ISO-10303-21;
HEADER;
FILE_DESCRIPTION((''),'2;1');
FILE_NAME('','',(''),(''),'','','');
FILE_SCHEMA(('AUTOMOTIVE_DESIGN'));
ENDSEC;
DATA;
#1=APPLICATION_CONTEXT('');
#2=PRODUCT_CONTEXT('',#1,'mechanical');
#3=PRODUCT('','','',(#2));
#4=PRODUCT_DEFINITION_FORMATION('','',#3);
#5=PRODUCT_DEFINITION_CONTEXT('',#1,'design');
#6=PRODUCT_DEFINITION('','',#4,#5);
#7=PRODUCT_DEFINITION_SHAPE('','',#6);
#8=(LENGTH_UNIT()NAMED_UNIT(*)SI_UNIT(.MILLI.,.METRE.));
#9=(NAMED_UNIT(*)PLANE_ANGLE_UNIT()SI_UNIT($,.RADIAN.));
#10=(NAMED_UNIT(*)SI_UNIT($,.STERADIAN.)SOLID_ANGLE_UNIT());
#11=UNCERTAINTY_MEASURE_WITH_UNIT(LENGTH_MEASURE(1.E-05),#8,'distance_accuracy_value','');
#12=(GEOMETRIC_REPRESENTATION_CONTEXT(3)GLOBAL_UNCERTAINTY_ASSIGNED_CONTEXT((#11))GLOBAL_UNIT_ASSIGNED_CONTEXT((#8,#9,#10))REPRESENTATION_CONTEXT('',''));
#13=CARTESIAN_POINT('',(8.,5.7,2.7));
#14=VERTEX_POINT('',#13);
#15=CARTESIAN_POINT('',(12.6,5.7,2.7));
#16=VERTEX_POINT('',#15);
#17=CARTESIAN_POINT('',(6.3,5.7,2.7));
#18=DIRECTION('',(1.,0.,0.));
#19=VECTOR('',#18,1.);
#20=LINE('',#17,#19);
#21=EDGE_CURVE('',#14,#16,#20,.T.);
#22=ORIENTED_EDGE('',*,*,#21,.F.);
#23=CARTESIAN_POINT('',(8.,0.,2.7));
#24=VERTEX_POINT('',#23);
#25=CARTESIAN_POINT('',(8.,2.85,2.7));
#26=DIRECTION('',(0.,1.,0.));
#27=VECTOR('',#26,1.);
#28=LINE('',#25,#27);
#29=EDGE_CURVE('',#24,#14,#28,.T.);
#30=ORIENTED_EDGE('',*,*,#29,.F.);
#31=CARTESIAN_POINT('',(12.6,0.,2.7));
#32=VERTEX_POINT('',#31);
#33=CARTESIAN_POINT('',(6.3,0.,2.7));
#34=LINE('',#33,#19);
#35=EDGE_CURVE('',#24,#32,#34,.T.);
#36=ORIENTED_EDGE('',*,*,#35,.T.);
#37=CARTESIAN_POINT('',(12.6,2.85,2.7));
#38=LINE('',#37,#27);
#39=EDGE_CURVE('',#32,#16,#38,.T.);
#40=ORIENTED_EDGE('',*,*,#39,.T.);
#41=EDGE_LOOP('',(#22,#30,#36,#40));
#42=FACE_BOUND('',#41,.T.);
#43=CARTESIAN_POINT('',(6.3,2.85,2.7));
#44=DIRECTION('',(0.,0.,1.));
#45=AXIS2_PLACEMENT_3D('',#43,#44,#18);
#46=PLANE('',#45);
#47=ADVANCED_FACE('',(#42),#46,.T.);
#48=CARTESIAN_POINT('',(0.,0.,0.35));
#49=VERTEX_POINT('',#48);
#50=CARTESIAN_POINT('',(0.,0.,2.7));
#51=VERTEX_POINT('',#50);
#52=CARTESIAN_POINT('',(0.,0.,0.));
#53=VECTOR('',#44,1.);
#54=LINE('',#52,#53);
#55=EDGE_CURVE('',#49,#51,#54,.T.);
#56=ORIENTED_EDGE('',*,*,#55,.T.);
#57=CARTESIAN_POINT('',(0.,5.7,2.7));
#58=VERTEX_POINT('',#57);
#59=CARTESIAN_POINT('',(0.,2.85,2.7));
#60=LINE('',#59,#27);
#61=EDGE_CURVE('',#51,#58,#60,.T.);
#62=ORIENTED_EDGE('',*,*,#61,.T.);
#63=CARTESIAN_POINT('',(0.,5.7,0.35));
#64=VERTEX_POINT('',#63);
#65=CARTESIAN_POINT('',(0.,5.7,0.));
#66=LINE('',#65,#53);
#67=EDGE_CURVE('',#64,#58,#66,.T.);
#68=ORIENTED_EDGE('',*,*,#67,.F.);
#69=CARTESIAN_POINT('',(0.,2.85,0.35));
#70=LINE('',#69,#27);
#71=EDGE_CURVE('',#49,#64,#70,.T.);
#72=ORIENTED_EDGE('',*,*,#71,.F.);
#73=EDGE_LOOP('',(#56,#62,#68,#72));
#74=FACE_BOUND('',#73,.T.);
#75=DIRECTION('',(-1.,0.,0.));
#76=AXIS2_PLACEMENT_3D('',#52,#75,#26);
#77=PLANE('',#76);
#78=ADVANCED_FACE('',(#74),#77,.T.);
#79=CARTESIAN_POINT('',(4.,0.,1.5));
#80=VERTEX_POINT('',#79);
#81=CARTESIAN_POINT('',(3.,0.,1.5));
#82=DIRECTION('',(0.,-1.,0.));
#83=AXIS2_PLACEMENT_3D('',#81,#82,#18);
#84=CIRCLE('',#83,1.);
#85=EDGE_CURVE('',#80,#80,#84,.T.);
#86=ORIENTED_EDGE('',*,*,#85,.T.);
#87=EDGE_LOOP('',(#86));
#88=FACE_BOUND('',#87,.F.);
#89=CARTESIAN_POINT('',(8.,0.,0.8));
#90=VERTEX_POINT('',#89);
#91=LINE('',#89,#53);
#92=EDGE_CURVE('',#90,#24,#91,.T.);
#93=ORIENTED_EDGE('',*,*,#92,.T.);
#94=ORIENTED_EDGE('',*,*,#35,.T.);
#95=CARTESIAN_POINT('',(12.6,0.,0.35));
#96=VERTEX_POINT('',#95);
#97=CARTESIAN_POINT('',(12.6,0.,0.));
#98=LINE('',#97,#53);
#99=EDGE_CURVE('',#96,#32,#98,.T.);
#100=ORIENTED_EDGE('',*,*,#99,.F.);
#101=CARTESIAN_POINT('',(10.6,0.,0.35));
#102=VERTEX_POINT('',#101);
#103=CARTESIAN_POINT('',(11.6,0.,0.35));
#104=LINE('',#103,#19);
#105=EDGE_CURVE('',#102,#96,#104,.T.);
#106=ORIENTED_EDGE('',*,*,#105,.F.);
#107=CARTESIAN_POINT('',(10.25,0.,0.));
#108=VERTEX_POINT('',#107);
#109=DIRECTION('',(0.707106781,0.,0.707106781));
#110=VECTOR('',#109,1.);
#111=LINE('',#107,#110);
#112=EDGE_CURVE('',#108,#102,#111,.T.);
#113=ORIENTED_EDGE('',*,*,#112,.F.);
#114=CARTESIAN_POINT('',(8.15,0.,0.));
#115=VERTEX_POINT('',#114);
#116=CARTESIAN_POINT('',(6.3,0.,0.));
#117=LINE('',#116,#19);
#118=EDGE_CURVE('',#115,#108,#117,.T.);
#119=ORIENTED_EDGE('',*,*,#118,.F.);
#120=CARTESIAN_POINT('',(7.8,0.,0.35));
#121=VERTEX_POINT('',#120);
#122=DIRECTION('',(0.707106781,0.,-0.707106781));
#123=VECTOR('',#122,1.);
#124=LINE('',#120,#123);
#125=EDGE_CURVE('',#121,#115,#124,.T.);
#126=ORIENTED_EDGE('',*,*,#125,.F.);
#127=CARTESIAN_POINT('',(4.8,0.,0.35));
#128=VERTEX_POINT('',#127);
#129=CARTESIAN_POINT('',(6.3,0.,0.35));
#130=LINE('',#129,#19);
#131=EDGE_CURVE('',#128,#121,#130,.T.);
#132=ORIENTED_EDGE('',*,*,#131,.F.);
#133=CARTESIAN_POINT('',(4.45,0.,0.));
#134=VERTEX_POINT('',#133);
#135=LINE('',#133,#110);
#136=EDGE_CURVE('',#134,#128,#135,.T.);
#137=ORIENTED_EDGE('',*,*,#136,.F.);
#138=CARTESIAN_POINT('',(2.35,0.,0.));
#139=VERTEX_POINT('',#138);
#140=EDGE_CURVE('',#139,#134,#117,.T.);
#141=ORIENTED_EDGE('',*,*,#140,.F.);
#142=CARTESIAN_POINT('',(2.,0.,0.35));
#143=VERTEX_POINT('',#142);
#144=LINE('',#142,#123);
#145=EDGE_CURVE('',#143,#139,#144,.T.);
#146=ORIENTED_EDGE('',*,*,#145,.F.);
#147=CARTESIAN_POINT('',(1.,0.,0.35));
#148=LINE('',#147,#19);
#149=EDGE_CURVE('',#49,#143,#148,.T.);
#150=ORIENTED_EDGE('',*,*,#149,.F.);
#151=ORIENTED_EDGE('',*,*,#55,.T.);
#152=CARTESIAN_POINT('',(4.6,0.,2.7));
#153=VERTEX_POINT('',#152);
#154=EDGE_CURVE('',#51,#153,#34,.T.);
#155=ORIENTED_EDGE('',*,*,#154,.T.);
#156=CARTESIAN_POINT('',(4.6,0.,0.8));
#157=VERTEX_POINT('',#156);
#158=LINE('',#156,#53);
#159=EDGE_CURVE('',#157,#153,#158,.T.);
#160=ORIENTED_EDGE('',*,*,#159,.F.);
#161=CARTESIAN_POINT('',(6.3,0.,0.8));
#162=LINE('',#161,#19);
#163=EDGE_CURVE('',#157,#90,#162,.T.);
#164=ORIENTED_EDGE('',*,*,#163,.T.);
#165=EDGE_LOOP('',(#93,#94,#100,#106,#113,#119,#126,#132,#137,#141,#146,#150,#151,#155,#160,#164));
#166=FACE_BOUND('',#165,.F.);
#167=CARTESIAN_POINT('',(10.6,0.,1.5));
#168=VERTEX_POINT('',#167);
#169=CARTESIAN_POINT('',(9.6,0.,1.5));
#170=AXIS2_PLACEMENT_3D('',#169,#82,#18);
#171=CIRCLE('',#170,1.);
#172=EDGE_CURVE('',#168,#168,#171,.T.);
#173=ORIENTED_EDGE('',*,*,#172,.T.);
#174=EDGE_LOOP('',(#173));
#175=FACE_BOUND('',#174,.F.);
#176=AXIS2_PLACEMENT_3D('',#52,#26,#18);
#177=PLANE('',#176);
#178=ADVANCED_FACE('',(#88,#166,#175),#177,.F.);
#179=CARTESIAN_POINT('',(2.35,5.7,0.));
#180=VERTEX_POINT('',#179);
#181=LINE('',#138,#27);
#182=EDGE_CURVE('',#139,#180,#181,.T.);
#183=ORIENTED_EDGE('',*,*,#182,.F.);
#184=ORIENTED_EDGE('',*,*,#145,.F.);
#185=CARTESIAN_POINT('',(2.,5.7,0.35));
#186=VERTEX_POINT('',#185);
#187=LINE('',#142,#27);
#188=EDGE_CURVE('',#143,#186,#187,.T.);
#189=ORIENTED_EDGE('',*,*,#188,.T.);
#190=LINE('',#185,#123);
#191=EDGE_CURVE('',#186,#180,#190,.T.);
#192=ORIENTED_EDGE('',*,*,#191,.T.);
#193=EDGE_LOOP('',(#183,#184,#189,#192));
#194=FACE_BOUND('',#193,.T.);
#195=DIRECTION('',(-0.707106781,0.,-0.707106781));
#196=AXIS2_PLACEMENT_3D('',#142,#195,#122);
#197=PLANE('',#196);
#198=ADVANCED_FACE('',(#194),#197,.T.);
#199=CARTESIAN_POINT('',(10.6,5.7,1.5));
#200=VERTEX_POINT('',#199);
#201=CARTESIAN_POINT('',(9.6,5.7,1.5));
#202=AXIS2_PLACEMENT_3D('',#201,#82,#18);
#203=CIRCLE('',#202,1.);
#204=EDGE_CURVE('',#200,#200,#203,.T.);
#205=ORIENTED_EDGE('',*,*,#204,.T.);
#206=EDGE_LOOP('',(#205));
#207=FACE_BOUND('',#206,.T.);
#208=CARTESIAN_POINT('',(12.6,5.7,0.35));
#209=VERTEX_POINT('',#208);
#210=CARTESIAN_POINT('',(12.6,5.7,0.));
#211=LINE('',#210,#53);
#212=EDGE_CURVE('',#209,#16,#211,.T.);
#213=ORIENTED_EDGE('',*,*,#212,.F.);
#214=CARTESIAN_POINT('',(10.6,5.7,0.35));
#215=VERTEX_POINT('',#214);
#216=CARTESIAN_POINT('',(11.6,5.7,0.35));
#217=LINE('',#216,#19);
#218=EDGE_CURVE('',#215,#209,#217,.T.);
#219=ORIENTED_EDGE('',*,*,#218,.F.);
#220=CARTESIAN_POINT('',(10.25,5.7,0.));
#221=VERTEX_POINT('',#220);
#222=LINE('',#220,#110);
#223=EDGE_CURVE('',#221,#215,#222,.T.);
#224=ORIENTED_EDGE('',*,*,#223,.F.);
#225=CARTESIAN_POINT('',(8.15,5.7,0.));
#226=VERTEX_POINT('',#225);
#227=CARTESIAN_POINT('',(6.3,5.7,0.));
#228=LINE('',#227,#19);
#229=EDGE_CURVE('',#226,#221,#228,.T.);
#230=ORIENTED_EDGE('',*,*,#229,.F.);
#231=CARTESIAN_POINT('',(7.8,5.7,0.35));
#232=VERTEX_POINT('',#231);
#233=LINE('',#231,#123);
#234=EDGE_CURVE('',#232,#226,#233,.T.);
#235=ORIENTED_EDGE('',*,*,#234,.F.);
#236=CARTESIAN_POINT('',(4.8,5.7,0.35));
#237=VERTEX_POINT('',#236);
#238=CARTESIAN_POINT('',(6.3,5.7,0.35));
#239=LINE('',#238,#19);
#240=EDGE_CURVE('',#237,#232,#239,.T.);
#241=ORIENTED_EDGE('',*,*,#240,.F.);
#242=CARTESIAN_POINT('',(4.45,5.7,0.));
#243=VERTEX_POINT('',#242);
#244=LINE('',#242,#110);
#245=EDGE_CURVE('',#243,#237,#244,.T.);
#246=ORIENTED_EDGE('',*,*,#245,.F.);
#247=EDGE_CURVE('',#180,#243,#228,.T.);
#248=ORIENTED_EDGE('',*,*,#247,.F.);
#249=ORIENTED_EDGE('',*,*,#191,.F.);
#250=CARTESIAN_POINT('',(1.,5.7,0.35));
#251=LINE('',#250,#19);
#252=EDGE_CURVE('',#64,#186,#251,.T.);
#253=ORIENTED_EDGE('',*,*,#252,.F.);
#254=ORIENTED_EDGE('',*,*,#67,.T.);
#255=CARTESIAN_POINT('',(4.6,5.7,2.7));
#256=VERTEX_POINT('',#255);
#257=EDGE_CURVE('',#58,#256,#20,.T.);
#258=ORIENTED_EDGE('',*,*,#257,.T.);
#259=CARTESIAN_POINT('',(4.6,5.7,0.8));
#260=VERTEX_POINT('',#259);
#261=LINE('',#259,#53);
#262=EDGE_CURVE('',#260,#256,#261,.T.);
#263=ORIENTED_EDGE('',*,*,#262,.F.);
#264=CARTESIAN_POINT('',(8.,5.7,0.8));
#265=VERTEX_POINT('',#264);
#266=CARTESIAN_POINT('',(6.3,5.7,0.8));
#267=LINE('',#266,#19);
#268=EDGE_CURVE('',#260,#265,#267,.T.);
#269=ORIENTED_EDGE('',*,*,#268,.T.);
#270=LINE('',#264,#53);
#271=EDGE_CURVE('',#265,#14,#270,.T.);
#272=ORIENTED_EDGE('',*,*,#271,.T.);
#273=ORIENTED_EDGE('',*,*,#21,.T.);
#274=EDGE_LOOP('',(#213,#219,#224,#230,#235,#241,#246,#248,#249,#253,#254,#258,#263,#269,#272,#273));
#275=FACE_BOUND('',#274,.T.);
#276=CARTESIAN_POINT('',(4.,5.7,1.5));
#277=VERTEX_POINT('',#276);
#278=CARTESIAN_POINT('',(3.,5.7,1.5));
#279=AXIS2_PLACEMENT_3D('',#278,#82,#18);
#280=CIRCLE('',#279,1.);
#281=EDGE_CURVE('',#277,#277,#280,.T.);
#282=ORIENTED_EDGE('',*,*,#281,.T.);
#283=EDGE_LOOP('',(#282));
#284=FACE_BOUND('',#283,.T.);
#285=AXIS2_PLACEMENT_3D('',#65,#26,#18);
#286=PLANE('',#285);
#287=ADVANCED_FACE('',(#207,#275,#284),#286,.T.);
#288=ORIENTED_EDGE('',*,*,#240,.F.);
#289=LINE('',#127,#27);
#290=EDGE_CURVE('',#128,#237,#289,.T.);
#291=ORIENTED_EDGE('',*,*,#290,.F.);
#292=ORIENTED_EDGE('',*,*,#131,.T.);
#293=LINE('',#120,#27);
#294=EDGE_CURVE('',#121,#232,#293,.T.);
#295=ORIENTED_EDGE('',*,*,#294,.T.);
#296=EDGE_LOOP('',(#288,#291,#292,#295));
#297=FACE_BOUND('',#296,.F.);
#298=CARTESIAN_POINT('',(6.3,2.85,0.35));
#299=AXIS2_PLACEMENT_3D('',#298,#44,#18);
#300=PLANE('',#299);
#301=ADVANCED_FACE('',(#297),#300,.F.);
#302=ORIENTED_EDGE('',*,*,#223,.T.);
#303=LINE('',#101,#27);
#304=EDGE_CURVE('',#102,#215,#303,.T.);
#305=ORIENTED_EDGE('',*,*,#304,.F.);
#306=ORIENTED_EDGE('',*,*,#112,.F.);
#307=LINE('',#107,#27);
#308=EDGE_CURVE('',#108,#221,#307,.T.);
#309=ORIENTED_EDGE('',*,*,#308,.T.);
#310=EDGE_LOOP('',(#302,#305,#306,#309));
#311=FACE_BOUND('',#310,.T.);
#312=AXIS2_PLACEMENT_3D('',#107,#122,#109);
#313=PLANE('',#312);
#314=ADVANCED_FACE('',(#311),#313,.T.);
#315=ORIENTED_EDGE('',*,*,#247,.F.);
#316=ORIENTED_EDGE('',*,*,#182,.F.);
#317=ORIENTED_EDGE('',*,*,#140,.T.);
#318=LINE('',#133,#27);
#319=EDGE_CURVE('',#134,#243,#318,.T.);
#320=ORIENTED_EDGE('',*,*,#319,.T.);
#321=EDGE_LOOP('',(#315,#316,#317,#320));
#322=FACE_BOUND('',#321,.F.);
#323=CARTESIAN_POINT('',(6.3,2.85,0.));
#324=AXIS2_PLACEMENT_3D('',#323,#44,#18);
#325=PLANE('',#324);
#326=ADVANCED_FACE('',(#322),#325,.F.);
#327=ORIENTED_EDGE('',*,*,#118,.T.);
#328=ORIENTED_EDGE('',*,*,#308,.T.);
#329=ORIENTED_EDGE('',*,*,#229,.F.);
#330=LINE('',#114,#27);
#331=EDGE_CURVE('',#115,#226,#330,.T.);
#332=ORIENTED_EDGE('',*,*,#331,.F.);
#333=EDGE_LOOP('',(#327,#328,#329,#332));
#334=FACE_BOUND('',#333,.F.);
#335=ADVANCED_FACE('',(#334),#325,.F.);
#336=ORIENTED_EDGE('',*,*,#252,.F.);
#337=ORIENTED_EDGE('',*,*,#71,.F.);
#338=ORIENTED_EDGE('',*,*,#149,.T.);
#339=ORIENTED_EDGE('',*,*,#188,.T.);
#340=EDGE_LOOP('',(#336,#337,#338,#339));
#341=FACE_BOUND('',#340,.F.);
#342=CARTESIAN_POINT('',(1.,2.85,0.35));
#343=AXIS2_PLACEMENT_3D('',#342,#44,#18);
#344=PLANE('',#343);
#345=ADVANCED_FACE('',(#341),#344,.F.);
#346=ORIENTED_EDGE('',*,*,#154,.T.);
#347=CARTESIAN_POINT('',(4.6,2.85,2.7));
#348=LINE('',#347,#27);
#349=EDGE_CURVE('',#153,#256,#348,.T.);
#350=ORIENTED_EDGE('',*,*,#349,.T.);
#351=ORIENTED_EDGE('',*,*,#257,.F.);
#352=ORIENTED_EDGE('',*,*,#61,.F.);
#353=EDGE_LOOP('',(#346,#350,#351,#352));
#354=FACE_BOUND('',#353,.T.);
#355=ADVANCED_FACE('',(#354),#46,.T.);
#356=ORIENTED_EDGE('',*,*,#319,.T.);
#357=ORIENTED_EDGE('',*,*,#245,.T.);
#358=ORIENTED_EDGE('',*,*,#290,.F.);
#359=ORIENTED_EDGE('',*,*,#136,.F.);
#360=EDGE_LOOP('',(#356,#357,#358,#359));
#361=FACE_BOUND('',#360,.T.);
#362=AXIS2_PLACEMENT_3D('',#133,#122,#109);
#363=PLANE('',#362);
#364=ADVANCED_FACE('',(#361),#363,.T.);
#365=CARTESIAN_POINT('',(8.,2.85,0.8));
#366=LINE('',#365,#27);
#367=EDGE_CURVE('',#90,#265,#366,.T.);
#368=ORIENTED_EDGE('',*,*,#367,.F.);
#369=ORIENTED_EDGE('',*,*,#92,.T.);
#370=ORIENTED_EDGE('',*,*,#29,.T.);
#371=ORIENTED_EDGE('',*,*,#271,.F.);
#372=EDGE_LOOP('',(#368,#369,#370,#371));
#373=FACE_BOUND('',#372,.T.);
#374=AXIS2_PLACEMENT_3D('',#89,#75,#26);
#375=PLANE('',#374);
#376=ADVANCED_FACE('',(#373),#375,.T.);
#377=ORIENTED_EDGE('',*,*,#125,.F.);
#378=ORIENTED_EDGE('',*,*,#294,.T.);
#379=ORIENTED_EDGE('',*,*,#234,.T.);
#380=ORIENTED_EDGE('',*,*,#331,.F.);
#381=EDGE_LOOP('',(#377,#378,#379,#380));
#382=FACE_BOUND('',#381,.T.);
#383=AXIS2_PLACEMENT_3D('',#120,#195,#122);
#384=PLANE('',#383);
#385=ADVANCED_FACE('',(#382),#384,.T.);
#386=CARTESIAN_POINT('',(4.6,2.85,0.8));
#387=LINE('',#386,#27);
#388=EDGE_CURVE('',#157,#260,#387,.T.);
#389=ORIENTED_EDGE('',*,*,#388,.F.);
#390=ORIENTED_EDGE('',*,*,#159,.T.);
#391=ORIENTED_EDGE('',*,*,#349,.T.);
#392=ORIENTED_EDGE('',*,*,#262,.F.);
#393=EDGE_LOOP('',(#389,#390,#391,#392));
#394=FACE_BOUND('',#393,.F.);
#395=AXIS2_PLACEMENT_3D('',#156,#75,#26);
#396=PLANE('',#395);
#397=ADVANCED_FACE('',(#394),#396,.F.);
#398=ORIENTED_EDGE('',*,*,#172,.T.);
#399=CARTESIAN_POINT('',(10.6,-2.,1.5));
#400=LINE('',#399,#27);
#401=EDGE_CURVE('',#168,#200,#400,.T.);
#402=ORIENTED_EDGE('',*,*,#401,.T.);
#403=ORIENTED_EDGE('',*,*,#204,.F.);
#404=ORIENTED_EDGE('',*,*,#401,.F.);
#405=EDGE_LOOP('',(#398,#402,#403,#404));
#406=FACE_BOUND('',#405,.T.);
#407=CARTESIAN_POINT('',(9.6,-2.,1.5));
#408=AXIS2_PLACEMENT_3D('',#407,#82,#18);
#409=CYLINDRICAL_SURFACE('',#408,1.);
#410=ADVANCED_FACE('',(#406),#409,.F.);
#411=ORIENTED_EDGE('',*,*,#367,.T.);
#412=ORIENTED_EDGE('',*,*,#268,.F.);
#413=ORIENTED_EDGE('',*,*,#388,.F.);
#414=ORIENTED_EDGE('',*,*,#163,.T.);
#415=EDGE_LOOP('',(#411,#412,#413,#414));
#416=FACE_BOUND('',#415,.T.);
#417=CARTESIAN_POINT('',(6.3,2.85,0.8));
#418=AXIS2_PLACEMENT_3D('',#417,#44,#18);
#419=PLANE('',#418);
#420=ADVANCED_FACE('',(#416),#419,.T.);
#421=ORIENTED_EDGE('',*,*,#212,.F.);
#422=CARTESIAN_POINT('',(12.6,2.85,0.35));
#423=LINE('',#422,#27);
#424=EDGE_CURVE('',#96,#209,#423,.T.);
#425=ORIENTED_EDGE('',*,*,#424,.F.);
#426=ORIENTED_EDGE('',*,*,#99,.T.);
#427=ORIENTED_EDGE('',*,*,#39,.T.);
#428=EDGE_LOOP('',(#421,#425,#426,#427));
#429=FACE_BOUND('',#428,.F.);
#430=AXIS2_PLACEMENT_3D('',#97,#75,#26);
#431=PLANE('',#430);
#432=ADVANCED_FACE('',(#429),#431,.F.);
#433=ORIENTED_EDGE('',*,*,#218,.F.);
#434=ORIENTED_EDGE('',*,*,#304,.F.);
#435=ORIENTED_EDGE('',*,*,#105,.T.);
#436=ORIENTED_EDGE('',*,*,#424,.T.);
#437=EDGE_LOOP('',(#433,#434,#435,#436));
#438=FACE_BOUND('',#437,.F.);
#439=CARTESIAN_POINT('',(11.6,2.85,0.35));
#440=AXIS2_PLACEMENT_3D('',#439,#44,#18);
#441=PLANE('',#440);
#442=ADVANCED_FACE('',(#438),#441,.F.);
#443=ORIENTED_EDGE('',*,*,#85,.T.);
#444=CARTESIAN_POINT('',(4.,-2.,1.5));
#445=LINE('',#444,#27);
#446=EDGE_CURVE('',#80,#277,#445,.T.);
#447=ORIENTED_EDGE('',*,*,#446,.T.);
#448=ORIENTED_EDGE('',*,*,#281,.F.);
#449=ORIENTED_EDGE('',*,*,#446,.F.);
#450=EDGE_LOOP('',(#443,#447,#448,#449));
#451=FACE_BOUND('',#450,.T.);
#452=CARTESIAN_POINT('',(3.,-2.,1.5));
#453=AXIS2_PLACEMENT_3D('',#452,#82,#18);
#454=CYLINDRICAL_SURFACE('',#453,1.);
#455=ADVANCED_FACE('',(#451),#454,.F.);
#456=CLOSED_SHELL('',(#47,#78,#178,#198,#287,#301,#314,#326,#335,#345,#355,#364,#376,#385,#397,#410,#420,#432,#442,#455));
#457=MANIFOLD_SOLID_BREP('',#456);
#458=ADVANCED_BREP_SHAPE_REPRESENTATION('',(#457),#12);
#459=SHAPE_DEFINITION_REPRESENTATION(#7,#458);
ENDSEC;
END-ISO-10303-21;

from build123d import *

# Parameters (mm, degrees)
BOX006_W                   = 3
BOX006_H                   = 5.7
BOX006_DEPTH               = 0.35
BOX007_W                   = 2
BOX007_H                   = 5.7
BOX007_DEPTH               = 0.35
BOX005_W                   = 2
BOX005_H                   = 5.7
BOX005_DEPTH               = 0.35
EXTRUDE001_DEPTH           = 5.7
EXTRUDE002_DEPTH           = 5.7
EXTRUDE002_PLACEMENT_ANGLE = 90
EXTRUDE003_DEPTH           = 5.7
EXTRUDE003_PLACEMENT_ANGLE = 90
EXTRUDE_DEPTH              = 5.7
CYLINDER001_R              = 1
CYLINDER001_DEPTH          = 10
CYLINDER_R                 = 1
CYLINDER_DEPTH             = 10
BOX_W                      = 3.4
BOX_H                      = 5.7
BOX_DEPTH                  = 1.9
BOX001_W                   = 12.6
BOX001_H                   = 5.7
BOX001_DEPTH               = 2.7


with BuildPart() as cube006:
    # Box006 → Box006 (new body)
    with BuildSketch(Plane(origin=(4.8, 0, 0), x_dir=(1, 0, 0), z_dir=(0, 0, 1))):
        with Locations((1.5, 2.85)):
            Rectangle(BOX006_W, BOX006_H)
    extrude(amount=BOX006_DEPTH)


with BuildPart() as cube007:
    # Box007 → Box007 (new body)
    with BuildSketch(Plane(origin=(10.6, 0, 0), x_dir=(1, 0, 0), z_dir=(0, 0, 1))):
        with Locations((1, 2.85)):
            Rectangle(BOX007_W, BOX007_H)
    extrude(amount=BOX007_DEPTH)


with BuildPart() as cube005:
    # Box005 → Box005 (new body)
    with BuildSketch(Plane.XY):
        with Locations((1, 2.85)):
            Rectangle(BOX005_W, BOX005_H)
    extrude(amount=BOX005_DEPTH)


with BuildPart() as extrude001:
    # Sketch001 → Extrude001 (new body)
    with BuildSketch(Plane.XZ):
        Polygon((0, 0), (0, 0.35), (0.35, 0), align=None)
    extrude(amount=-EXTRUDE001_DEPTH)


with BuildPart() as extrude001_1:
    # Extrude001 placement: moved
    add(extrude001.part.moved(Location((7.8, 0, 0))))


with BuildPart() as extrude002:
    # Sketch002 → Extrude002 (new body)
    with BuildSketch(Plane.XZ):
        Polygon((0, 0), (0, 0.35), (0.35, 0), align=None)
    extrude(amount=-EXTRUDE002_DEPTH)


with BuildPart() as extrude002_1:
    # Extrude002 placement: moved
    add(extrude002.part.moved(Location((4.8, 0, 0))).rotate(Axis((4.8, 0, 0), (0, -1, 0)), EXTRUDE002_PLACEMENT_ANGLE))


with BuildPart() as extrude003:
    # Sketch003 → Extrude003 (new body)
    with BuildSketch(Plane.XZ):
        Polygon((0, 0), (0, 0.35), (0.35, 0), align=None)
    extrude(amount=-EXTRUDE003_DEPTH)


with BuildPart() as extrude003_1:
    # Extrude003 placement: moved
    add(extrude003.part.moved(Location((10.6, 0, 0))).rotate(Axis((10.6, 0, 0), (0, -1, 0)), EXTRUDE003_PLACEMENT_ANGLE))


with BuildPart() as extrude_body:
    # Sketch → Extrude (new body)
    with BuildSketch(Plane.XZ):
        Polygon((0, 0), (0, 0.35), (0.35, 0), align=None)
    extrude(amount=-EXTRUDE_DEPTH)


with BuildPart() as extrude_body_1:
    # Extrude placement: moved
    add(extrude_body.part.moved(Location((2, 0, 0))))


with BuildPart() as cylinder001:
    # Cylinder001 → Cylinder001 (new body)
    with BuildSketch(Plane(origin=(9.6, -2, 1.5), x_dir=(1, 0, 0), z_dir=(0, 1, 0))):
        Circle(CYLINDER001_R)
    extrude(amount=CYLINDER001_DEPTH)


with BuildPart() as cylinder:
    # Cylinder → Cylinder (new body)
    with BuildSketch(Plane(origin=(3, -2, 1.5), x_dir=(1, 0, 0), z_dir=(0, 1, 0))):
        Circle(CYLINDER_R)
    extrude(amount=CYLINDER_DEPTH)


with BuildPart() as cube:
    # Box → Box (new body)
    with BuildSketch(Plane(origin=(4.6, 0, 0.8), x_dir=(1, 0, 0), z_dir=(0, 0, 1))):
        with Locations((1.7, 2.85)):
            Rectangle(BOX_W, BOX_H)
    extrude(amount=BOX_DEPTH)


with BuildPart() as cut011:
    # Box001 → Box001 (new body)
    with BuildSketch(Plane.XY):
        with Locations((6.3, 2.85)):
            Rectangle(BOX001_W, BOX001_H)
    extrude(amount=BOX001_DEPTH)

    # Cut002: cut Cube
    add(cube.part, mode=Mode.SUBTRACT)

    # Cut003: cut Cylinder
    add(cylinder.part, mode=Mode.SUBTRACT)

    # Cut004: cut Cylinder001
    add(cylinder001.part, mode=Mode.SUBTRACT)

    # Cut005: cut Extrude body
    add(extrude_body_1.part, mode=Mode.SUBTRACT)

    # Cut006: cut Extrude003
    add(extrude003_1.part, mode=Mode.SUBTRACT)

    # Cut007: cut Extrude002
    add(extrude002_1.part, mode=Mode.SUBTRACT)

    # Cut008: cut Extrude001
    add(extrude001_1.part, mode=Mode.SUBTRACT)

    # Cut009: cut Cube005
    add(cube005.part, mode=Mode.SUBTRACT)

    # Cut010: cut Cube007
    add(cube007.part, mode=Mode.SUBTRACT)

    # Cut011: cut Cube006
    add(cube006.part, mode=Mode.SUBTRACT)


solid = cut011.part
